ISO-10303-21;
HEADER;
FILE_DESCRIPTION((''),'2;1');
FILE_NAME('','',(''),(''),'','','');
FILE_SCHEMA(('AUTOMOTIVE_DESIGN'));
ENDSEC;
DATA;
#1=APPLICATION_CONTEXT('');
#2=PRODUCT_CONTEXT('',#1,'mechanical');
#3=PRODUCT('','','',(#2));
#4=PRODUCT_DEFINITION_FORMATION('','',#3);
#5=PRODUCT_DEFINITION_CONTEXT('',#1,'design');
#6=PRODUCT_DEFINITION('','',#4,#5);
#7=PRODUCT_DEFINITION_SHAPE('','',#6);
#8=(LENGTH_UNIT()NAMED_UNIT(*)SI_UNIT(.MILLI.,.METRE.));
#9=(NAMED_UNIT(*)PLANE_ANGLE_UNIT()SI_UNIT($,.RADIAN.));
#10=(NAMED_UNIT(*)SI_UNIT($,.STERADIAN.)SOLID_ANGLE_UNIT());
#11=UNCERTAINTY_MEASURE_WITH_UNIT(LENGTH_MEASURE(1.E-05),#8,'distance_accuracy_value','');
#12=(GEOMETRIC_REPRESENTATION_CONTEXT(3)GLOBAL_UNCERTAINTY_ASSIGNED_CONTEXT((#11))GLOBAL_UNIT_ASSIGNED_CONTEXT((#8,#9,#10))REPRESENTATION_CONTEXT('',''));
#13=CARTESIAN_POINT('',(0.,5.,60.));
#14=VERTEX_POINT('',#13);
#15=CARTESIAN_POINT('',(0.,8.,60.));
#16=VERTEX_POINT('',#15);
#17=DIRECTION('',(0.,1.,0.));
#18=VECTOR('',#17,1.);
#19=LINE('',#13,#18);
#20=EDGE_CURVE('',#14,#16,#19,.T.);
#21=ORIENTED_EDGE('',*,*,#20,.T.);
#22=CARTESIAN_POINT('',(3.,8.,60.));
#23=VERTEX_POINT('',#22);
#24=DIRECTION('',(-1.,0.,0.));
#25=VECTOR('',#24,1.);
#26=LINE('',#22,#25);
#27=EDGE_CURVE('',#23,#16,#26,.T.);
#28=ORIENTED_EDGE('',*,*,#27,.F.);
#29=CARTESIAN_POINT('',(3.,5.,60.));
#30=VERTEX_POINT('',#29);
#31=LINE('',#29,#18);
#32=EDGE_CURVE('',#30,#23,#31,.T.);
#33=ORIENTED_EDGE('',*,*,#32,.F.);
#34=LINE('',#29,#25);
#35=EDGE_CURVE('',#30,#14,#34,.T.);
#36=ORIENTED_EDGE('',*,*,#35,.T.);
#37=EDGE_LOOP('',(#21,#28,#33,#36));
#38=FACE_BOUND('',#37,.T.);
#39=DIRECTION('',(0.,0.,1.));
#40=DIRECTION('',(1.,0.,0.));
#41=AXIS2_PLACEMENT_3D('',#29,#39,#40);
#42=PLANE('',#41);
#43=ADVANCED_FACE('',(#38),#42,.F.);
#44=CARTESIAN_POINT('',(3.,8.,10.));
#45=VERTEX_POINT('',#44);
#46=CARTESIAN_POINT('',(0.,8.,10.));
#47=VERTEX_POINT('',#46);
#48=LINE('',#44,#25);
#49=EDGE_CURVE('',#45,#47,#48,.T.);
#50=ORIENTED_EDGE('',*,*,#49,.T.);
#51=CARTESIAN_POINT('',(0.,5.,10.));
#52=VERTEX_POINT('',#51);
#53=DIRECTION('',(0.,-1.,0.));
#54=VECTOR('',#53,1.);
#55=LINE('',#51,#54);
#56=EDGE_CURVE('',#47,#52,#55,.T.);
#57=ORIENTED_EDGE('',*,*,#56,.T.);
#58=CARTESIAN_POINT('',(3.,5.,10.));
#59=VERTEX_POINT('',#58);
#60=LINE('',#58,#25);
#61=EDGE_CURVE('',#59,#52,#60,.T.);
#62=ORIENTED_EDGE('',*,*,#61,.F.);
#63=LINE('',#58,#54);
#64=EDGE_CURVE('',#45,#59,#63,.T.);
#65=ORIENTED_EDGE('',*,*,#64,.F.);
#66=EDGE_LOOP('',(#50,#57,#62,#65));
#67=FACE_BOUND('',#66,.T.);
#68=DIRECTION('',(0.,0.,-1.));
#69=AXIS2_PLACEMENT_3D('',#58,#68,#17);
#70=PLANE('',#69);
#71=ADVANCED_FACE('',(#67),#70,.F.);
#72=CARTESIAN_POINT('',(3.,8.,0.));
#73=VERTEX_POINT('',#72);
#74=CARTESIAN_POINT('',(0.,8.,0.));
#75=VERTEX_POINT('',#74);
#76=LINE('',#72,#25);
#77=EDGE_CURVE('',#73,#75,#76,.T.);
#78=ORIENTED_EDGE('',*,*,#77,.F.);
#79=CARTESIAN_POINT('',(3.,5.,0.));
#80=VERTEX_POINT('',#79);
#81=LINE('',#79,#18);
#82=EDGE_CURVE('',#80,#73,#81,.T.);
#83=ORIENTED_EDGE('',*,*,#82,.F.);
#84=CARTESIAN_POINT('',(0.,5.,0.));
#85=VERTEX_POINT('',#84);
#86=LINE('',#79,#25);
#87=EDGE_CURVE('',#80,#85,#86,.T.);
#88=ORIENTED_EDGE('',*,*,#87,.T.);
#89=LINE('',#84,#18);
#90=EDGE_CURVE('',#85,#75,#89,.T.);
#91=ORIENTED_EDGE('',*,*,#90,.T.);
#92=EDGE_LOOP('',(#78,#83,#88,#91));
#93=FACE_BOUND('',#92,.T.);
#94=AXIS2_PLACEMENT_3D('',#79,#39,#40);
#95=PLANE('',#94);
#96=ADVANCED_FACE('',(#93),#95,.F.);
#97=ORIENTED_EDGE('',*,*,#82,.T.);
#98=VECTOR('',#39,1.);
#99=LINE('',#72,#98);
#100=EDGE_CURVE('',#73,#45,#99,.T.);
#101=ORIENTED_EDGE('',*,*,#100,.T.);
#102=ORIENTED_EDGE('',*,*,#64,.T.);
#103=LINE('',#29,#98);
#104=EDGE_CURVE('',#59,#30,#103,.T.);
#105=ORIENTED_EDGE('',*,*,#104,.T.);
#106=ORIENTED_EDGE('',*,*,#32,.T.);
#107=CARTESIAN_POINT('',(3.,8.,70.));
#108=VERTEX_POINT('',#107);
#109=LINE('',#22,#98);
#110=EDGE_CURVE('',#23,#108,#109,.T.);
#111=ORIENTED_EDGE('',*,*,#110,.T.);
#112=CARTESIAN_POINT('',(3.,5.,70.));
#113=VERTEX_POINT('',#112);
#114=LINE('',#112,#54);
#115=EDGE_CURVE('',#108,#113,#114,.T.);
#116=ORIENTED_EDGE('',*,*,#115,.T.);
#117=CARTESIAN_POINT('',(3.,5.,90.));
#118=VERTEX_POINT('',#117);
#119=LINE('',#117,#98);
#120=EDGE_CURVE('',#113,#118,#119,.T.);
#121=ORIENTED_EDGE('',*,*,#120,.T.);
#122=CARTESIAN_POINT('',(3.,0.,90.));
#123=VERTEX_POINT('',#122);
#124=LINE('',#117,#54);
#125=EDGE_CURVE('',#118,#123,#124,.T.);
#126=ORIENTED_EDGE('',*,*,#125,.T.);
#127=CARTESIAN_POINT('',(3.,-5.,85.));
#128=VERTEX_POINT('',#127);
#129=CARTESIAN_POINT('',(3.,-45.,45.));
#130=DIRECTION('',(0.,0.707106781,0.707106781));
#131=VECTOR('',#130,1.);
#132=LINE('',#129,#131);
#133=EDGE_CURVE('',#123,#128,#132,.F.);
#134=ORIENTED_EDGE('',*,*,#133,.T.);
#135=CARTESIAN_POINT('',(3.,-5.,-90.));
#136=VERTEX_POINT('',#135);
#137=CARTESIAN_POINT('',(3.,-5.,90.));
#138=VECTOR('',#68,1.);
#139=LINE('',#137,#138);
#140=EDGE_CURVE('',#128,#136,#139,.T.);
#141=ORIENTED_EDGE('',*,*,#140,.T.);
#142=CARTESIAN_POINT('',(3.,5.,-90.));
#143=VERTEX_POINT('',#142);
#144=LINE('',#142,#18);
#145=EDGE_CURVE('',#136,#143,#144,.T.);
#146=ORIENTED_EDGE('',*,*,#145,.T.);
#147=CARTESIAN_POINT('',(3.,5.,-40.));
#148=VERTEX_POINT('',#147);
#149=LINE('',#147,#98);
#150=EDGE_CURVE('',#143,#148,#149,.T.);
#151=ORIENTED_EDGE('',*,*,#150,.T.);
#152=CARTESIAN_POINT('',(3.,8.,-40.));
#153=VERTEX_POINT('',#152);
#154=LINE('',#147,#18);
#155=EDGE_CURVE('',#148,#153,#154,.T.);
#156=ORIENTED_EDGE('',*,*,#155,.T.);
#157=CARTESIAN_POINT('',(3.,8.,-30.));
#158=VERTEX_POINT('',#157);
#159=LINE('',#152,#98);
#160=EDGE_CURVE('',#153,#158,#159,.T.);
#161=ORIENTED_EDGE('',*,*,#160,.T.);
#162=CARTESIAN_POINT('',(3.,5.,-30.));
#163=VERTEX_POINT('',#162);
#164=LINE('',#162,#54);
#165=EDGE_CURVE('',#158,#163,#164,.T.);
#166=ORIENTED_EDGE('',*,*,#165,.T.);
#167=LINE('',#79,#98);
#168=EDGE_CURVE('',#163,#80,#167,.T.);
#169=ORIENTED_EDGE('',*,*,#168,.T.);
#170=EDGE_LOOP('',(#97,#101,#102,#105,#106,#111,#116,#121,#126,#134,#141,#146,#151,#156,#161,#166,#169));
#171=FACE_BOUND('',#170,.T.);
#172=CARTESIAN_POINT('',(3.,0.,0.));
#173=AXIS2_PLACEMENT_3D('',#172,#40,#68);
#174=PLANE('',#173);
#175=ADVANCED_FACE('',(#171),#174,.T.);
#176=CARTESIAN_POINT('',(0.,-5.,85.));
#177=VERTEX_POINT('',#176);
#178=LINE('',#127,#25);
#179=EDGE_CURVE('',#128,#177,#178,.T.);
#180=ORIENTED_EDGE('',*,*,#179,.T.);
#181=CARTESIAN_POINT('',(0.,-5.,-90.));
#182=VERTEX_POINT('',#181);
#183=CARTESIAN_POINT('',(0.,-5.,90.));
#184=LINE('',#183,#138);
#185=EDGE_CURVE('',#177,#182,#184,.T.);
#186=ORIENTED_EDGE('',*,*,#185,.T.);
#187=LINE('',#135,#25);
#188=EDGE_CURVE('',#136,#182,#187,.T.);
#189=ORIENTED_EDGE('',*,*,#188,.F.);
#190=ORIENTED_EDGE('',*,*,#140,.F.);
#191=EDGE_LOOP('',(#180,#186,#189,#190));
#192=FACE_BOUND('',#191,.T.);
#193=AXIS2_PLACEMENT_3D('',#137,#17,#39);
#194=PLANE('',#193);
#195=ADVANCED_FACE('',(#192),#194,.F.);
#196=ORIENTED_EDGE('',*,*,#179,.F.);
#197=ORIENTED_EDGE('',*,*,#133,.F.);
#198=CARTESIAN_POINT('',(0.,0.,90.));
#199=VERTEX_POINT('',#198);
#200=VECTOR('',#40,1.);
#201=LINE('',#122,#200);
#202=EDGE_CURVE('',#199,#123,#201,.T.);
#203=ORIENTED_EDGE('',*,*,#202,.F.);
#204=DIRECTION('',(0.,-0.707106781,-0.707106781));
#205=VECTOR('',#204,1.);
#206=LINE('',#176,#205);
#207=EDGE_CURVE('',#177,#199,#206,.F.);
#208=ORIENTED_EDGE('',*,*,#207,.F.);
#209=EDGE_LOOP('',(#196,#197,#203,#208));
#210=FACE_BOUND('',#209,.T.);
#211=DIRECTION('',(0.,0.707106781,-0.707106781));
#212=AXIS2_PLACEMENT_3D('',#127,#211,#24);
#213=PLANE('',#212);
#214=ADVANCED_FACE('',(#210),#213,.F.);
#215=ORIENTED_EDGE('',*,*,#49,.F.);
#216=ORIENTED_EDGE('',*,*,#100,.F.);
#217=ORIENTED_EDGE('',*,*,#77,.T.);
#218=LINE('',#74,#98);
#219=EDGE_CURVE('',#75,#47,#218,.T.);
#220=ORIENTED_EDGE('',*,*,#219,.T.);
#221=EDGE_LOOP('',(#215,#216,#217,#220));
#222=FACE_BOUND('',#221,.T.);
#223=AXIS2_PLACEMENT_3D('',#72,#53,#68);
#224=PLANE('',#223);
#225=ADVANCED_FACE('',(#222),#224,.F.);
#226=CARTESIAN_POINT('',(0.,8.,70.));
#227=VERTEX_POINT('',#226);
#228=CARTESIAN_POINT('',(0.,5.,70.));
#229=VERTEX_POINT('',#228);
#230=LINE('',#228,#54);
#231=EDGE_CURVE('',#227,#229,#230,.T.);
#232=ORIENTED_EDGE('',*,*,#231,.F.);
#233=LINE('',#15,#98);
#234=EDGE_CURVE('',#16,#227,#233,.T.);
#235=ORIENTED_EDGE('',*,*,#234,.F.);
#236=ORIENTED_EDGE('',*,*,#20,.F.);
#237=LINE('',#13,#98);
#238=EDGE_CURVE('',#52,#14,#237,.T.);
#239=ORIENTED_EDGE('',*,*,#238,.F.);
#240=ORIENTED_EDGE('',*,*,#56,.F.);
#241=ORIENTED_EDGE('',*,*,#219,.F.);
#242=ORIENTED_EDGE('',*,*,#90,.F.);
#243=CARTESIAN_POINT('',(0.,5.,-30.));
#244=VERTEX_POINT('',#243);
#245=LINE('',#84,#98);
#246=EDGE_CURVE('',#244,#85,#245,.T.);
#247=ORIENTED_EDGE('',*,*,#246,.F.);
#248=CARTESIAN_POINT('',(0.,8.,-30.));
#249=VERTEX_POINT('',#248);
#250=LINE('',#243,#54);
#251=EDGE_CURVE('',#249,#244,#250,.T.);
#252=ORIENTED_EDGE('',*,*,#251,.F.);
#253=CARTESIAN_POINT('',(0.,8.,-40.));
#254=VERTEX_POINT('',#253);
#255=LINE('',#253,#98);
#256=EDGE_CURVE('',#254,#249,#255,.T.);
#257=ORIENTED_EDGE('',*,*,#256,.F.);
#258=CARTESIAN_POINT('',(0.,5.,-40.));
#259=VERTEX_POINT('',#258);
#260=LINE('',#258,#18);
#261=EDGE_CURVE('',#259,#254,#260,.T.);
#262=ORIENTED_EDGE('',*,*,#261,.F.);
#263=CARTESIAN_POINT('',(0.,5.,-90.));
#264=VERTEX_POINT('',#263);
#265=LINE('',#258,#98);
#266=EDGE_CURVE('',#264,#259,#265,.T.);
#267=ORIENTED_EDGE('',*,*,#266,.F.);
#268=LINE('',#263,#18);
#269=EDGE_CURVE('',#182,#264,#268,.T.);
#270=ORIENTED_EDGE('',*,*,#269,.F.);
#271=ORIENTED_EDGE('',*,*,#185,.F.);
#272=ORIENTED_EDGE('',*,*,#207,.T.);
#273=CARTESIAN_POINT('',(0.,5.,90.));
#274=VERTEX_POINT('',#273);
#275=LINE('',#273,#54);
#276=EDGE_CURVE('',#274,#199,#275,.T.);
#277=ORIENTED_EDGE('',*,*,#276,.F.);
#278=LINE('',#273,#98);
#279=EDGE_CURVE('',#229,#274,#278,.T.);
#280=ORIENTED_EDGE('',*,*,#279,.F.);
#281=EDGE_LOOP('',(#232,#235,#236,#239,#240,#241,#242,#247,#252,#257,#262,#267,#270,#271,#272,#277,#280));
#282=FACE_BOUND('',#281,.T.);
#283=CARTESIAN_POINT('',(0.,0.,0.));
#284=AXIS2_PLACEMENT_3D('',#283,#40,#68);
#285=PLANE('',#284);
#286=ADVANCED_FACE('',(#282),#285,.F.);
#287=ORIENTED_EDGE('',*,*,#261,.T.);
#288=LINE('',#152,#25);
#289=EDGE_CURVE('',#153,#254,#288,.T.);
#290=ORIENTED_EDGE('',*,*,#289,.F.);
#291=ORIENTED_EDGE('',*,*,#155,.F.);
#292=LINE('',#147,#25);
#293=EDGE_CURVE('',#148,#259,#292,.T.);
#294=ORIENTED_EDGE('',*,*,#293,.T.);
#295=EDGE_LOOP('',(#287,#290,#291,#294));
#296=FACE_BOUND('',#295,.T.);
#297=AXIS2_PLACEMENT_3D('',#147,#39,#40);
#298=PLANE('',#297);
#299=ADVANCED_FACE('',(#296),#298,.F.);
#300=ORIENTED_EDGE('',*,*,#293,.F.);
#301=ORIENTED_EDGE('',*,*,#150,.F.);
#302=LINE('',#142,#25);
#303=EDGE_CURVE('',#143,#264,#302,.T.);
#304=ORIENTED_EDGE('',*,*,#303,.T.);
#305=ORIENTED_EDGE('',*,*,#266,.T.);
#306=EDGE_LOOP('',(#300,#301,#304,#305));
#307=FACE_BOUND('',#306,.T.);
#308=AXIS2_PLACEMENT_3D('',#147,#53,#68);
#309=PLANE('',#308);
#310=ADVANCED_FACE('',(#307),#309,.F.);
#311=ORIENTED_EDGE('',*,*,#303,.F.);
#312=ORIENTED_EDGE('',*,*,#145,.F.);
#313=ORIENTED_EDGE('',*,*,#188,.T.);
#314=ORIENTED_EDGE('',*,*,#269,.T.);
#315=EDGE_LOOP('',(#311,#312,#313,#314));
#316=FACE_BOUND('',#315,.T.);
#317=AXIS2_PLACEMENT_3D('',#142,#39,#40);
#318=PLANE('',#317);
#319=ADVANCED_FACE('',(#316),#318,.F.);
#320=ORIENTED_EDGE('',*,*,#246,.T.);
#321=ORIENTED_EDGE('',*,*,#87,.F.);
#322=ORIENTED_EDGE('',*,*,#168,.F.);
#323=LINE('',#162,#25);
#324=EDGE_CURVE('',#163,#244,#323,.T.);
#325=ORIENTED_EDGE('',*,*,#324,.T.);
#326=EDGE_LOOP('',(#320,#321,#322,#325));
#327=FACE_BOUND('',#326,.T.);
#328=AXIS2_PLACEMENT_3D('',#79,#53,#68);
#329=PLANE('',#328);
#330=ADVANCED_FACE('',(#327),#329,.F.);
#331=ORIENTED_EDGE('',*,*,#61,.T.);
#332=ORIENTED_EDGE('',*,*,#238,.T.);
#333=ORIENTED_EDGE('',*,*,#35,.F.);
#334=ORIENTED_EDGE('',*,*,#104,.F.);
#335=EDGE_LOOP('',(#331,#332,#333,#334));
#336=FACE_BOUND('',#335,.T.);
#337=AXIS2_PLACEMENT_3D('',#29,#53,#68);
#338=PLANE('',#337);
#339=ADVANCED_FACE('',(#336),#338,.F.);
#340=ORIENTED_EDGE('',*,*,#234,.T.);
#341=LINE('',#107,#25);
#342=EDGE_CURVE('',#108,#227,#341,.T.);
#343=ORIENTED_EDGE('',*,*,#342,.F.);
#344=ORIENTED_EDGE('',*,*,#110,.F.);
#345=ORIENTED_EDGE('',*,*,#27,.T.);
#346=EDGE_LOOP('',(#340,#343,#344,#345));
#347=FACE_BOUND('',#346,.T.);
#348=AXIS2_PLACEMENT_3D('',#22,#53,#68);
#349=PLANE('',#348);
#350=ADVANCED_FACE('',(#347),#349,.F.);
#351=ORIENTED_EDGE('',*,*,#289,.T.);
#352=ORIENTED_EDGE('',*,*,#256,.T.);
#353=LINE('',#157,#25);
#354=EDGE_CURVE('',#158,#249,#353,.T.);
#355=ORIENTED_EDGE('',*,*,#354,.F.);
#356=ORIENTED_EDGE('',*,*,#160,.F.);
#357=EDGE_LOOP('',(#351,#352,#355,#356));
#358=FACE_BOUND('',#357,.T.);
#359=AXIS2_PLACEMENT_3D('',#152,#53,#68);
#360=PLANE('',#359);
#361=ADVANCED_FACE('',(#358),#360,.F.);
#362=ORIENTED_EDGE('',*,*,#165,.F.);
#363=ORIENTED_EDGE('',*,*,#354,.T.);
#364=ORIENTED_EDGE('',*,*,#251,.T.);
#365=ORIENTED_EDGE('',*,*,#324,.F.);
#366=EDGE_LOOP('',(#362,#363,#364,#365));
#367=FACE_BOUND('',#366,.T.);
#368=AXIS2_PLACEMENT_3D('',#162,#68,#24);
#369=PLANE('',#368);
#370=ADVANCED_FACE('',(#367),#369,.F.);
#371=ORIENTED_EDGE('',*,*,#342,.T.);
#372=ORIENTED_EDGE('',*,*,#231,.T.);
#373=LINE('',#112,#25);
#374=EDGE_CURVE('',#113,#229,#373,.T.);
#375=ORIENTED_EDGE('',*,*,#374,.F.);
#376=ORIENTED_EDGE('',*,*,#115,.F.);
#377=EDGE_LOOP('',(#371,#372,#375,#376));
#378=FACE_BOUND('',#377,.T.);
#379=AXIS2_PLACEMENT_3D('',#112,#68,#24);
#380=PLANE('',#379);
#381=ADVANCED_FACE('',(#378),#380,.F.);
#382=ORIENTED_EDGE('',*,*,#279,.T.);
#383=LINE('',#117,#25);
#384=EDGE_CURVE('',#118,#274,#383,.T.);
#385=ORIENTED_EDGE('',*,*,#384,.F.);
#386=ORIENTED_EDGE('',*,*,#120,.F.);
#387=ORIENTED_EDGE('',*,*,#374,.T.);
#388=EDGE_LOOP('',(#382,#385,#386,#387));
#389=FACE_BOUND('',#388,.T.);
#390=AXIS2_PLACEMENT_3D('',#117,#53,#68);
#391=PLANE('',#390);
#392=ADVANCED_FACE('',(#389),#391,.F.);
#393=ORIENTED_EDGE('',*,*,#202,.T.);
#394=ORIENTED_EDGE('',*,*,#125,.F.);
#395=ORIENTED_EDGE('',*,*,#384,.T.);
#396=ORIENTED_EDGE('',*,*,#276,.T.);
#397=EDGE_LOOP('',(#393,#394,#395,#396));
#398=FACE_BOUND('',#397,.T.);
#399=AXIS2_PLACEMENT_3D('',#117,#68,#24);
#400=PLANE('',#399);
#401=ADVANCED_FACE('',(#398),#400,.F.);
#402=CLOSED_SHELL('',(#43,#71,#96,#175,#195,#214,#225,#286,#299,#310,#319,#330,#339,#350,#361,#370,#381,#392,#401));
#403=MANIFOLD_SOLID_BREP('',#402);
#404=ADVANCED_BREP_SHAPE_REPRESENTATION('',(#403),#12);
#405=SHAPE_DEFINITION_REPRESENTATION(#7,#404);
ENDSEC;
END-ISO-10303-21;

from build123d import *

# Parameters (mm, degrees)
BOSS_EXTRUDE1_DEPTH = 3
CHAMFER1_SIZE       = 5


with BuildPart() as part:
    # Sketch1 → Boss-Extrude1 (new body)
    with BuildSketch(Plane(origin=(0, 0, 0), x_dir=(0, 0, -1), z_dir=(1, 0, 0))):
        Polygon((-60, 5), (-10, 5), (-10, 8), (0, 8), (0, 5), (30, 5), (30, 8), (40, 8), (40, 5), (90, 5), (90, -5), (-90, -5), (-90, 5), (-70, 5), (-70, 8), (-60, 8), align=None)
    extrude(amount=BOSS_EXTRUDE1_DEPTH)

    # Chamfer1
    chamfer1_edges = [part.edges().sort_by_distance(p)[0] for p in [
        (1.5, -5, 90),
    ]]
    chamfer(chamfer1_edges, length=CHAMFER1_SIZE)


solid = part.part
